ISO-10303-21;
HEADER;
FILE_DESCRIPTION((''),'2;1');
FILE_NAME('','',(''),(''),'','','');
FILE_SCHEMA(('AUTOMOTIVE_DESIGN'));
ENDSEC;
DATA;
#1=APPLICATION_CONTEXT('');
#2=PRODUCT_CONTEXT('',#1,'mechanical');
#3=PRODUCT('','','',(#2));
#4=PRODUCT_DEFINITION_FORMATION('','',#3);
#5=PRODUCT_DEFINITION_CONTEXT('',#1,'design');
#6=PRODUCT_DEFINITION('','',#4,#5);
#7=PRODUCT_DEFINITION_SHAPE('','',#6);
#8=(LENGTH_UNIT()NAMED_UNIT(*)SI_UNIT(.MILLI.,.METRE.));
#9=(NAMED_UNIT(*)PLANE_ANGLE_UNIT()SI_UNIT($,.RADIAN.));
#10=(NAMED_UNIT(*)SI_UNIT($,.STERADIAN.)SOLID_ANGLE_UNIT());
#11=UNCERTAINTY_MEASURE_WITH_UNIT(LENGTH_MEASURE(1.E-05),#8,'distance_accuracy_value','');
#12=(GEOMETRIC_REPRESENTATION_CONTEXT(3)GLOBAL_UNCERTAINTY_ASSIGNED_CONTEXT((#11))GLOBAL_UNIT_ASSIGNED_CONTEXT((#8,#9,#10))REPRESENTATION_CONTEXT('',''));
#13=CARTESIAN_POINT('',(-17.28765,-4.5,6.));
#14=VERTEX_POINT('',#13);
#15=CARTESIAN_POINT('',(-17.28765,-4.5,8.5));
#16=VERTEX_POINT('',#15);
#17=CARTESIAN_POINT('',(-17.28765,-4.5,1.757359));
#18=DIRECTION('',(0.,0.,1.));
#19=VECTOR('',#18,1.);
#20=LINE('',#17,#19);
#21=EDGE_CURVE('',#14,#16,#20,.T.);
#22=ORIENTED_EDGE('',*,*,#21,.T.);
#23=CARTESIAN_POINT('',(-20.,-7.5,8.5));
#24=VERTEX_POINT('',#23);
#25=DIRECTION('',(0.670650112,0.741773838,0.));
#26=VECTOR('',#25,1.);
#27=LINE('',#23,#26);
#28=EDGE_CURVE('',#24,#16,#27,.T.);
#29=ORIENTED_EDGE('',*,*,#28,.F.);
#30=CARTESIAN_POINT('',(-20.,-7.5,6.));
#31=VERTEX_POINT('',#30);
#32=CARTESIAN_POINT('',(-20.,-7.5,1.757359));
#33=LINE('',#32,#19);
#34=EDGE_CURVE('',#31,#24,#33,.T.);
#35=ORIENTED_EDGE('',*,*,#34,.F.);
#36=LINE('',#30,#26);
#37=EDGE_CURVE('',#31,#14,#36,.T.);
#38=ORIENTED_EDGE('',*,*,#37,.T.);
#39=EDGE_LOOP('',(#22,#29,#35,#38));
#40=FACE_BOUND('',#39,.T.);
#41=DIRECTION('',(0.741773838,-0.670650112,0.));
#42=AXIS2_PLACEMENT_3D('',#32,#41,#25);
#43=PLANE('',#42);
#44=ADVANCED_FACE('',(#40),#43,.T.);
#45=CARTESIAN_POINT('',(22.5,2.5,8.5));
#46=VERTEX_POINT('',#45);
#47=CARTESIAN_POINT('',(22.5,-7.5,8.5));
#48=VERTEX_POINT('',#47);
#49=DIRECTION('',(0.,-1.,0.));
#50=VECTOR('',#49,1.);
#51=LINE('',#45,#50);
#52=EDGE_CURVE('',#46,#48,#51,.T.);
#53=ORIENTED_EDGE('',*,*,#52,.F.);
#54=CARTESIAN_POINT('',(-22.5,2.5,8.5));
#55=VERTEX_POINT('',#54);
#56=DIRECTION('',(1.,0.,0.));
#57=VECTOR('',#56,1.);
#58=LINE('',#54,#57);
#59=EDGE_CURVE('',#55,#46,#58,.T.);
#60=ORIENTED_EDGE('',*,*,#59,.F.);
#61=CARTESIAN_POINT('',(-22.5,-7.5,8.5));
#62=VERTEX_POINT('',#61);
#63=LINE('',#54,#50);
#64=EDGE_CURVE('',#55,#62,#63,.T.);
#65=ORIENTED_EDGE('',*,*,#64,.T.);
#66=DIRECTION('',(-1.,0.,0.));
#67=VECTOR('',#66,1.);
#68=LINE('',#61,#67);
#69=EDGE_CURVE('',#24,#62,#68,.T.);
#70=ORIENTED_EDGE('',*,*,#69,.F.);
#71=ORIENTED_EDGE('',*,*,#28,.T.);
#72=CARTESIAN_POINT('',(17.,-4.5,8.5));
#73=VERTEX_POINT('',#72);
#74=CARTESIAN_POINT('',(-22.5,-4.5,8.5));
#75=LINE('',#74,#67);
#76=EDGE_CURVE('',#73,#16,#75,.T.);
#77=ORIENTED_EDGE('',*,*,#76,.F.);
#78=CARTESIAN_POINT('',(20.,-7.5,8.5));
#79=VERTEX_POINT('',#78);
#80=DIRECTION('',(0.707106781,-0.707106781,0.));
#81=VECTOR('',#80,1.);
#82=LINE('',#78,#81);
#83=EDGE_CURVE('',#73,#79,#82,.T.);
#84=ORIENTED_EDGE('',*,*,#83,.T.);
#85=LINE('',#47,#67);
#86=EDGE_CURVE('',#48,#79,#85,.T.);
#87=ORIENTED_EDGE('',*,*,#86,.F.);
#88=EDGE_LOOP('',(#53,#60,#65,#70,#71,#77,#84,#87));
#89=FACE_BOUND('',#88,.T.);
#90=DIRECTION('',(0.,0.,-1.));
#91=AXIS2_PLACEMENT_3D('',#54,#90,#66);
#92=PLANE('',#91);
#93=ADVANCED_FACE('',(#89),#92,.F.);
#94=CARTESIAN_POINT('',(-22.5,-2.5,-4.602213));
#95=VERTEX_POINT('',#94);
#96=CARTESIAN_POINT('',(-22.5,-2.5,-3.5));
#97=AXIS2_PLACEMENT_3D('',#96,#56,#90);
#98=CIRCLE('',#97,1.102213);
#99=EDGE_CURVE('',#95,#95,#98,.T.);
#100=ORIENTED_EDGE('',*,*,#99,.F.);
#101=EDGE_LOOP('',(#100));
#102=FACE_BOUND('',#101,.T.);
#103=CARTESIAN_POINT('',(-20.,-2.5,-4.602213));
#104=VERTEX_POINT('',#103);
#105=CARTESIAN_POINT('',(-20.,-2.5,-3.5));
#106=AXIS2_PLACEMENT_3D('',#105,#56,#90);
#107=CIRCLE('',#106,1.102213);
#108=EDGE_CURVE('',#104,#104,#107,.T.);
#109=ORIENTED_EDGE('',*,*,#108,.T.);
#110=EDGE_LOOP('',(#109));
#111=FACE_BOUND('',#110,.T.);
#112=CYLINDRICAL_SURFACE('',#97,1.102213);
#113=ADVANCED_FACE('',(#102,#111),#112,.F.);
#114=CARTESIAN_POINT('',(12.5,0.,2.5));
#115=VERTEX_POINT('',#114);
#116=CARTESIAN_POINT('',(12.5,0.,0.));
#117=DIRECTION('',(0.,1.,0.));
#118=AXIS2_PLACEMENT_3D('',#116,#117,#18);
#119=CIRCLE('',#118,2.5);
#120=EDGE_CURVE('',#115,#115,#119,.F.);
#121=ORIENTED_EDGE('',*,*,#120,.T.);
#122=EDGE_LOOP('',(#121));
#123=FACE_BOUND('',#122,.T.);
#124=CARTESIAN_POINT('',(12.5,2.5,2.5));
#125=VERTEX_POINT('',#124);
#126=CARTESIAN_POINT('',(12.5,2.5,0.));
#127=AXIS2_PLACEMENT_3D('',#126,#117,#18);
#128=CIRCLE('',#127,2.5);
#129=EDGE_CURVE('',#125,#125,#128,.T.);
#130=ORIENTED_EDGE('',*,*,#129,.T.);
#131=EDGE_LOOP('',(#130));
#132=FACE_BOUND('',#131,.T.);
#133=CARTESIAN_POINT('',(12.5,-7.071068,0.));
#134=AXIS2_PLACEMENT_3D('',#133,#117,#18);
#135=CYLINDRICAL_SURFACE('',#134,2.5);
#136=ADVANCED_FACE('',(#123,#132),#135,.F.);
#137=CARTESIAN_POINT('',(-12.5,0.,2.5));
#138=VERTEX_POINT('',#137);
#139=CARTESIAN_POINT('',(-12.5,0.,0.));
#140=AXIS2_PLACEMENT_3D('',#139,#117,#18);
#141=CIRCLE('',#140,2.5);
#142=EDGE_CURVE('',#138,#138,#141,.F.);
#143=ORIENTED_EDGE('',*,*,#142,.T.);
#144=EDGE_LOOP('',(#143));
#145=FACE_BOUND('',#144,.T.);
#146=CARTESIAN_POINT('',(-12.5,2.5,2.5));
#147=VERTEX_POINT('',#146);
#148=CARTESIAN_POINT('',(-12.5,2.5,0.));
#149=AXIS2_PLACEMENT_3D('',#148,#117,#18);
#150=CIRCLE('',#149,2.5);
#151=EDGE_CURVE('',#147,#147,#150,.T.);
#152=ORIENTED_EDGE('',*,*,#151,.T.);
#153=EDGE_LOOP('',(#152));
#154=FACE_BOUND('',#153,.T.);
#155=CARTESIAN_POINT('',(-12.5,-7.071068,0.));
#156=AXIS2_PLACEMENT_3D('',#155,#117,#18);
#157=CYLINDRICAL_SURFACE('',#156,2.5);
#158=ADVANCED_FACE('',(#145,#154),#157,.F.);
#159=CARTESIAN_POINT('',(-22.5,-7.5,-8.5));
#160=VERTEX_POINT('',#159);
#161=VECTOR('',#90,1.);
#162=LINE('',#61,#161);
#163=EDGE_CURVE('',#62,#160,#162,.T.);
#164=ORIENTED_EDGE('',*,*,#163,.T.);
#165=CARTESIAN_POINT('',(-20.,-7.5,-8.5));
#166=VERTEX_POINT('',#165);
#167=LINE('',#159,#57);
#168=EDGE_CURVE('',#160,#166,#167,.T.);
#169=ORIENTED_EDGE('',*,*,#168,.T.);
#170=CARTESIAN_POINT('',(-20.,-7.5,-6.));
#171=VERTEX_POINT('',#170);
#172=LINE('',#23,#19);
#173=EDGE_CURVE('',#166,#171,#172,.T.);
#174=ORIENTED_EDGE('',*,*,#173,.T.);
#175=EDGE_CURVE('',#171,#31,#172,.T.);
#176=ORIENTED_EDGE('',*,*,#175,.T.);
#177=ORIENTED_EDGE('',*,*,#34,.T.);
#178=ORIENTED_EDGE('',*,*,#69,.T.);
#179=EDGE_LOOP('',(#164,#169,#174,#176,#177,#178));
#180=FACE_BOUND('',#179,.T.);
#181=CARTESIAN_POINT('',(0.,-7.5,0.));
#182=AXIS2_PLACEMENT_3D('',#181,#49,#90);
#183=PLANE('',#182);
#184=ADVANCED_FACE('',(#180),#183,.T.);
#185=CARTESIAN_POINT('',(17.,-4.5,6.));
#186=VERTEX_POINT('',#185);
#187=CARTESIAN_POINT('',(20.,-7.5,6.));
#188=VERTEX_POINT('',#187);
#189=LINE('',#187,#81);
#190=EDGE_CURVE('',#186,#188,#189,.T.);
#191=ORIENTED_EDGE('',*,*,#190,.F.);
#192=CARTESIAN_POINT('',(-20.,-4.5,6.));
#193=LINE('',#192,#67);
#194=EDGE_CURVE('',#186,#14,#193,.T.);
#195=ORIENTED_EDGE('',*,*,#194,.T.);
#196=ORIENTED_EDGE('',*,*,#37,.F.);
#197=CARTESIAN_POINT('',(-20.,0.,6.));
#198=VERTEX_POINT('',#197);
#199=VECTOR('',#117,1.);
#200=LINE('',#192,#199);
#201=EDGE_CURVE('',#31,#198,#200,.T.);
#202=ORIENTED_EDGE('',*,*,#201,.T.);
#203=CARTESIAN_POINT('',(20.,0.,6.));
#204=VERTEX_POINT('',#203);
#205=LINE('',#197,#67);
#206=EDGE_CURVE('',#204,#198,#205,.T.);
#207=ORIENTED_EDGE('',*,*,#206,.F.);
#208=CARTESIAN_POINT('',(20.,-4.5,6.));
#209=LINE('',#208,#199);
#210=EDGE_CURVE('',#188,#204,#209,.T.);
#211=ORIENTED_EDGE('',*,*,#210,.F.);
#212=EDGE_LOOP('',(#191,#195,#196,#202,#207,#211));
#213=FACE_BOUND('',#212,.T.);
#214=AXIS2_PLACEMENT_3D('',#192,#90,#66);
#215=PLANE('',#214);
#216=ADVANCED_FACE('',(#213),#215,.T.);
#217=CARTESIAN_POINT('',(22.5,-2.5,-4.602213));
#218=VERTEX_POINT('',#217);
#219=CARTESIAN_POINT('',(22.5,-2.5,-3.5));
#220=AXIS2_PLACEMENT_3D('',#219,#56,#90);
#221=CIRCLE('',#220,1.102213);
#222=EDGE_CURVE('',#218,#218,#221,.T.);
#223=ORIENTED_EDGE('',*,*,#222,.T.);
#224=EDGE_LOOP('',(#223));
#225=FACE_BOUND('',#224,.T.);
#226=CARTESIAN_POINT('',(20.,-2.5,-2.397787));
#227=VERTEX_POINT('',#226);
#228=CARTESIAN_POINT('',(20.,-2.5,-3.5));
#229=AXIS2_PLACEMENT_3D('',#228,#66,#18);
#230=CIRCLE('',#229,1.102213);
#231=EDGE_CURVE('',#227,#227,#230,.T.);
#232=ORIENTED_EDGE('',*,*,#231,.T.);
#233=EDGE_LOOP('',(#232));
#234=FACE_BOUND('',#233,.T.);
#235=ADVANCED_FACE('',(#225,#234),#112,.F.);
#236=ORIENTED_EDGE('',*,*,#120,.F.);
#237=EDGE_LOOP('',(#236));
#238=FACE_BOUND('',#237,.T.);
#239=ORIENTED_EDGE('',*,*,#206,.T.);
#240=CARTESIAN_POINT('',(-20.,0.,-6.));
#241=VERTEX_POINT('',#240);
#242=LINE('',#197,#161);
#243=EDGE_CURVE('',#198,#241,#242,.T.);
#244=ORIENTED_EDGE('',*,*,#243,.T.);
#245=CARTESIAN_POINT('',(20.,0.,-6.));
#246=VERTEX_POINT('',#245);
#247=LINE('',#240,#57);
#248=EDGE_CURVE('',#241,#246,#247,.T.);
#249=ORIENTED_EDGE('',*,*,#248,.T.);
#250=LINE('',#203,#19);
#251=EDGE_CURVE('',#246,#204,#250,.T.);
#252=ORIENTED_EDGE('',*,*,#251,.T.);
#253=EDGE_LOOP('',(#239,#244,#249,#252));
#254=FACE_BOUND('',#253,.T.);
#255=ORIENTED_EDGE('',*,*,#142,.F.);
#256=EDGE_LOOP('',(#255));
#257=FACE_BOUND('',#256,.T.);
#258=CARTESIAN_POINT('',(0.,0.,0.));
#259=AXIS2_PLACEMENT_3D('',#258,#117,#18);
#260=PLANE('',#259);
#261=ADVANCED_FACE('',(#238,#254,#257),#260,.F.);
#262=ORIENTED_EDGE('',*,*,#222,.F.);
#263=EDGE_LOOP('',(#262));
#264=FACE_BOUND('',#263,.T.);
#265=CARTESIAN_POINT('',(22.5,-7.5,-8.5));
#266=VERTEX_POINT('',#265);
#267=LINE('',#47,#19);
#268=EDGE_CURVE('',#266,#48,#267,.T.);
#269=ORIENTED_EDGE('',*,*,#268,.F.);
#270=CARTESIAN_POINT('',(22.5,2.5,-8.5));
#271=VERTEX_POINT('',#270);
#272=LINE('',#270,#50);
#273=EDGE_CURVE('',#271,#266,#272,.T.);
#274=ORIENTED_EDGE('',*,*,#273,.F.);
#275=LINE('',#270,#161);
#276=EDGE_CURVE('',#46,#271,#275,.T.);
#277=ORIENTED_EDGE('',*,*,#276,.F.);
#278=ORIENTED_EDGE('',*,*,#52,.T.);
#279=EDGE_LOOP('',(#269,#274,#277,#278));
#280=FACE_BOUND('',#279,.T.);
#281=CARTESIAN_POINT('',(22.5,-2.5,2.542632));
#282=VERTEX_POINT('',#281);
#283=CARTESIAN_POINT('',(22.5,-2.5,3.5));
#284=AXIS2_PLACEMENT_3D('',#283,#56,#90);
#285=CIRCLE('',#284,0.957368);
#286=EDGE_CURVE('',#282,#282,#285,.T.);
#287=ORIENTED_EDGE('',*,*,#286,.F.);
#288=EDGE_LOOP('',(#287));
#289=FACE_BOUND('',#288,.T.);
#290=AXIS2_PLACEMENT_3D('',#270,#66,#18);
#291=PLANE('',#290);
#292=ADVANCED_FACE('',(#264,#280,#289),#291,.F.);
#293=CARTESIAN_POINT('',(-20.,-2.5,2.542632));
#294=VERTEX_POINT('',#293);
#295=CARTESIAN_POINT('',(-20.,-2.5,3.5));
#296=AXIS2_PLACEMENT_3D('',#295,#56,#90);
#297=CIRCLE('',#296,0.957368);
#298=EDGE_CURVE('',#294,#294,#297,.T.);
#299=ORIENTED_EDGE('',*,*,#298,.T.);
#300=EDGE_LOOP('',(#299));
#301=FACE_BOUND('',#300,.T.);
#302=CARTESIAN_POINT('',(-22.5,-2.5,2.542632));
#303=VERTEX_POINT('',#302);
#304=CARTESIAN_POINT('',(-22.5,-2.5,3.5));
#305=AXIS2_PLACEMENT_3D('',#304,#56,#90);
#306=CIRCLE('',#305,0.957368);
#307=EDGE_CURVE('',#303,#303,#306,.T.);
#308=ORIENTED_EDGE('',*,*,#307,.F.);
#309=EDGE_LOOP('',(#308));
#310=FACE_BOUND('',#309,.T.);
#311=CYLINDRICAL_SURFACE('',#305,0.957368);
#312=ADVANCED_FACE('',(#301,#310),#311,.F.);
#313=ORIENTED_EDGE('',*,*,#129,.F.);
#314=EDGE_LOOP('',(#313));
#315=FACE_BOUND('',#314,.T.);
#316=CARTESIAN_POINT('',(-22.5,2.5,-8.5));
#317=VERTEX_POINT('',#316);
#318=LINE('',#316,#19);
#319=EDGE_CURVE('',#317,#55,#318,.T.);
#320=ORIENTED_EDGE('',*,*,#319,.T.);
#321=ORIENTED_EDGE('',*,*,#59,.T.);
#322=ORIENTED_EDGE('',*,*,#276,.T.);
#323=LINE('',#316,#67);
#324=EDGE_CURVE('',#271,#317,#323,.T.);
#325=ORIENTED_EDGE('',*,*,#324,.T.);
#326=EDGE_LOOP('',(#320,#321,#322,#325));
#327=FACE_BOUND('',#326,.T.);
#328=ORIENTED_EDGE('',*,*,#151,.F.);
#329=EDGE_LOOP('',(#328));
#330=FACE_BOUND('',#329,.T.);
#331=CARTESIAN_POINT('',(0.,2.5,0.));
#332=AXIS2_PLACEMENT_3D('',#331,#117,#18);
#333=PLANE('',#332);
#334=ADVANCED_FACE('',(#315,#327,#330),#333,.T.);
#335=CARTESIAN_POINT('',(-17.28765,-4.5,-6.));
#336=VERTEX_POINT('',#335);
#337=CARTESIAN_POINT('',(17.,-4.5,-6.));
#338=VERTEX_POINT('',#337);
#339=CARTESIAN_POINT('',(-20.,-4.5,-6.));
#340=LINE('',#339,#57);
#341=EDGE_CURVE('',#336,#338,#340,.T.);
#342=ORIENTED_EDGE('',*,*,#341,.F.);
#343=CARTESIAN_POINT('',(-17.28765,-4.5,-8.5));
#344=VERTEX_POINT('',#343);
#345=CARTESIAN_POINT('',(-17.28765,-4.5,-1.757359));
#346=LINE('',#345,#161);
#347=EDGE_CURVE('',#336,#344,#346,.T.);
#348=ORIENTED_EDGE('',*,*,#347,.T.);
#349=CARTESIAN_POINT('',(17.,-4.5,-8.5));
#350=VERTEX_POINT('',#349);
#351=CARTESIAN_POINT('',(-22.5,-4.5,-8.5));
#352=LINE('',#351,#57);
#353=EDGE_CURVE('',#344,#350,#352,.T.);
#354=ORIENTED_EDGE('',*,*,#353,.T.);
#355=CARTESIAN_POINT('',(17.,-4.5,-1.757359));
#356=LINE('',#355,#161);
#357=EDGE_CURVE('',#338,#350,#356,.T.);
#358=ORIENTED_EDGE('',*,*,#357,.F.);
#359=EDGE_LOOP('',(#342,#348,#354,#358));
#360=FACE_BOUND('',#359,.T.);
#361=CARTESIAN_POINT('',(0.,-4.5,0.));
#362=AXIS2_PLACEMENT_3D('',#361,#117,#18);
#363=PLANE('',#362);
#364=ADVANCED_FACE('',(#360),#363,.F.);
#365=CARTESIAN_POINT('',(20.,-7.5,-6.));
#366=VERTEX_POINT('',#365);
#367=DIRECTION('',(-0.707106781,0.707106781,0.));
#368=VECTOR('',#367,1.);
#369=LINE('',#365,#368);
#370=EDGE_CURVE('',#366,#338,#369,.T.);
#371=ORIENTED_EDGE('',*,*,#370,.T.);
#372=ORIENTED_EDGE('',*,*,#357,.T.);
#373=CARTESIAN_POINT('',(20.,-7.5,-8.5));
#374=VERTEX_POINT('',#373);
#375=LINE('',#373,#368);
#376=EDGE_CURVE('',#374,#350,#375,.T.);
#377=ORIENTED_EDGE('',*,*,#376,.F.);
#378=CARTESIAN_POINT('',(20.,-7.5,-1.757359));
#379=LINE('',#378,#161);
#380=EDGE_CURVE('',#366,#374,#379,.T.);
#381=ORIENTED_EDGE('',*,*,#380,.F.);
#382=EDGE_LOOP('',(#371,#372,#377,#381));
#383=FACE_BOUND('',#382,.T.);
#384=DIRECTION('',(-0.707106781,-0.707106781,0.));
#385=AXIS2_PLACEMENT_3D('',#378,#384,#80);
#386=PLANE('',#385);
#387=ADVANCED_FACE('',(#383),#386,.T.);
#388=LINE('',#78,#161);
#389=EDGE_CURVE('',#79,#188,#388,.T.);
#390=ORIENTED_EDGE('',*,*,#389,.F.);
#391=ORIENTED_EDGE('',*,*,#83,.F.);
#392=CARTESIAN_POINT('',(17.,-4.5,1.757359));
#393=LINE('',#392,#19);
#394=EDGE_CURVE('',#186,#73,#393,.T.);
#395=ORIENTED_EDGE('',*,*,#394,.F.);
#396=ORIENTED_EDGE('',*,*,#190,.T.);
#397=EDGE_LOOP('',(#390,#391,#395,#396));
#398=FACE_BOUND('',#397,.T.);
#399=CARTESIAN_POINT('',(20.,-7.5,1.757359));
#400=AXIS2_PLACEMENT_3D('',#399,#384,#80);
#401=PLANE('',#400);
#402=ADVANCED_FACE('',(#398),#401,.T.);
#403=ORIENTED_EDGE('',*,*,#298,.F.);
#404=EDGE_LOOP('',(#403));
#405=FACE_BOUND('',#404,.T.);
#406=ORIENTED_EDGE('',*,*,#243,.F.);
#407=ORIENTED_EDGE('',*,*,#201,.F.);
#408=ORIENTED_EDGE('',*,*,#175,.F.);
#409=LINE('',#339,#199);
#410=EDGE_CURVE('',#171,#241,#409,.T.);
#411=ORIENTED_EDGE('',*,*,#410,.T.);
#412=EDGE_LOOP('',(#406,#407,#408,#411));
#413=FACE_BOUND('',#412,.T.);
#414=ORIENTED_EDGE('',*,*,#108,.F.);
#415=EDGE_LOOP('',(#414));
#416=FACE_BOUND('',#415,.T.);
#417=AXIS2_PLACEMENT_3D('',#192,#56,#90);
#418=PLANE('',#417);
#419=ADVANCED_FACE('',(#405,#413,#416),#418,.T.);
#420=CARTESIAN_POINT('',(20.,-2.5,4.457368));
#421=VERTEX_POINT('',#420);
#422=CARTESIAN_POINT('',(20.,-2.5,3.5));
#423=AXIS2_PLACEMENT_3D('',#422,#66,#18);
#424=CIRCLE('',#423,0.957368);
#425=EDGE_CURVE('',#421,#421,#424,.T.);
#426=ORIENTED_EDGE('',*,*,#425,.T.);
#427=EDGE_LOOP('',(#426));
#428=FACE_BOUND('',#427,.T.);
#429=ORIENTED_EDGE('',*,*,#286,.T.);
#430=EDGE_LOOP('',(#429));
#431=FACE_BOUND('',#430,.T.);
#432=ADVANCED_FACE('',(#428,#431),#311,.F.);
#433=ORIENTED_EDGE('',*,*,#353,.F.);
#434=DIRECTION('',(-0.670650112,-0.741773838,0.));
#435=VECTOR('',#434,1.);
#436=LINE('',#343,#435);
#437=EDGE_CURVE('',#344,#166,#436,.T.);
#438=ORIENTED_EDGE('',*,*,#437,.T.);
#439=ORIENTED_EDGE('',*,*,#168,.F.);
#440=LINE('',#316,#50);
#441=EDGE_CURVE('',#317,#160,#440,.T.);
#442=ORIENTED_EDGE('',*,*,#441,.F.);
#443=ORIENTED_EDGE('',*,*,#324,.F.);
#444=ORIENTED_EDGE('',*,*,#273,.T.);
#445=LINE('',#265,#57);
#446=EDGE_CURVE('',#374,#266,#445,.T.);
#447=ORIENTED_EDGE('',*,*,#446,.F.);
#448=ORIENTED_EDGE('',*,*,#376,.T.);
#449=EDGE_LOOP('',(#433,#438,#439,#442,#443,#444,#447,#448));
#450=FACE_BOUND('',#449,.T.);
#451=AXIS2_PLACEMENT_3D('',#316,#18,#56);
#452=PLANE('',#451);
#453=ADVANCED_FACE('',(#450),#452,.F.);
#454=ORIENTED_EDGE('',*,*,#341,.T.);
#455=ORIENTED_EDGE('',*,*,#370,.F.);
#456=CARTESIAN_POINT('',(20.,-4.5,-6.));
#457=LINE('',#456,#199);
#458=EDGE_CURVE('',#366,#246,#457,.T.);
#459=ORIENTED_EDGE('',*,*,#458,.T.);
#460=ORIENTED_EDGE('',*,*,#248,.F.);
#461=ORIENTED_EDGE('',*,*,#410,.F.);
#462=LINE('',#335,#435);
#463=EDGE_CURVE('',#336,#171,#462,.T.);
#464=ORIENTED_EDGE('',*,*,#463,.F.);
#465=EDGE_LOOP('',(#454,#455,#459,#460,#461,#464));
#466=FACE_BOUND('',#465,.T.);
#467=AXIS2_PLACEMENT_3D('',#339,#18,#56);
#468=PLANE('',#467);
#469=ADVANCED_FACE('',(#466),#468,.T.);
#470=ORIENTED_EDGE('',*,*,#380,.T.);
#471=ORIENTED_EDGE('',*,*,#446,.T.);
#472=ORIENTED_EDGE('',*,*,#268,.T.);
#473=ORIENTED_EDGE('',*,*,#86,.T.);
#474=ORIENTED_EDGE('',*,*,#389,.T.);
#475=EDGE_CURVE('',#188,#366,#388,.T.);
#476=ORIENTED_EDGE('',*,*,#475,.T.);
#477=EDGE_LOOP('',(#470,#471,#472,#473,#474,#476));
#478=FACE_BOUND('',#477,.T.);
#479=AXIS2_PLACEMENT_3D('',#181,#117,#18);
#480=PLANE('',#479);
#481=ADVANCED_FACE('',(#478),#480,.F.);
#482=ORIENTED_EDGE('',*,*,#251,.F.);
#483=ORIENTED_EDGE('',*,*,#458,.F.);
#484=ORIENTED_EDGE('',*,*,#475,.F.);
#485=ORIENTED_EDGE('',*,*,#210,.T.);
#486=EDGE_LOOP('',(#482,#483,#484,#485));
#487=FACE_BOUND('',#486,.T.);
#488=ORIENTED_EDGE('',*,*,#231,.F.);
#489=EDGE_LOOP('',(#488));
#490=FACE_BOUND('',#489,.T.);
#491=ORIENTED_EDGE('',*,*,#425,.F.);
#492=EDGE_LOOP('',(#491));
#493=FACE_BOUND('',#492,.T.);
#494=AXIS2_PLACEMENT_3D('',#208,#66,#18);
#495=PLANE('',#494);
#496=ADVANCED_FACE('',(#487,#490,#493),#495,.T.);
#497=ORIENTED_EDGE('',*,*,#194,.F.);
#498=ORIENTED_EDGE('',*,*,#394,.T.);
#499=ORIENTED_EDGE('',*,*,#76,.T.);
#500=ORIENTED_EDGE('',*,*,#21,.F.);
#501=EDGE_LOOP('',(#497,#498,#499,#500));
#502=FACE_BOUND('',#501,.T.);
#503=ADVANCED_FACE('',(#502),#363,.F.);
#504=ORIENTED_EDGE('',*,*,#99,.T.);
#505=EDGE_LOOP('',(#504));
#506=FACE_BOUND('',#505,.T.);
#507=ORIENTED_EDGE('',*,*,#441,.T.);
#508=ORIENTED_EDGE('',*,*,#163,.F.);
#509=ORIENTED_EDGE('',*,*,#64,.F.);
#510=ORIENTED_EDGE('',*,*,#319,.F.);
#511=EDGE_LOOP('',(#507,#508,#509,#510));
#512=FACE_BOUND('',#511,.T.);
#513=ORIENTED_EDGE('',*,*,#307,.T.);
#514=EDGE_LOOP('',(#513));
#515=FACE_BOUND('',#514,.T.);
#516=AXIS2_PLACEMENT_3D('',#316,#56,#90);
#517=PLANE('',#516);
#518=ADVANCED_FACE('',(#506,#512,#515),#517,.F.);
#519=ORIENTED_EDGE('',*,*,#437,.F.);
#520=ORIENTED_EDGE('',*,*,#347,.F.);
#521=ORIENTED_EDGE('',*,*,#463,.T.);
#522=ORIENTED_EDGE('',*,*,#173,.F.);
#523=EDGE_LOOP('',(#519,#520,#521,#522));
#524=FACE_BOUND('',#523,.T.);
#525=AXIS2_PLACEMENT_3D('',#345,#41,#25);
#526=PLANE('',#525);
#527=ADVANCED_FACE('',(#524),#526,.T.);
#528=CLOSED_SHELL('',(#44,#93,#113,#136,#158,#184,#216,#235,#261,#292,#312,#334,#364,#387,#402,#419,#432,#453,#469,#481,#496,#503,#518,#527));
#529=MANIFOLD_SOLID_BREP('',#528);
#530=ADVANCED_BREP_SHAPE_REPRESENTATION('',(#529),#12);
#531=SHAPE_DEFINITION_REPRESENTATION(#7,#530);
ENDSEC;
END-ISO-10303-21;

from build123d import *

# Parameters (mm, degrees)
SKETCH1_W           = 45
SKETCH1_H           = 17
BOSS_EXTRUDE1_DEPTH = 2.5
SKETCH2_W           = 45
SKETCH2_H           = 17
SKETCH2_W_2         = 40
SKETCH2_H_2         = 12
BOSS_EXTRUDE2_DEPTH = 4.5
SKETCH3_R           = 0.957368162
SKETCH3_R_2         = 1.102212996
CUT_EXTRUDE1_DEPTH  = 46
SKETCH4_W           = 2.5
SKETCH4_H           = 17
BOSS_EXTRUDE3_DEPTH = 3
BOSS_EXTRUDE4_START = -2.5
BOSS_EXTRUDE4_DEPTH = 2.5
BOSS_EXTRUDE5_DEPTH = 2.5
SKETCH7_R           = 2.5
CUT_EXTRUDE2_DEPTH  = 2.5


with BuildPart() as part:
    # Sketch1 → Boss-Extrude1 (new body)
    with BuildSketch(Plane(origin=(0, 0, 0), x_dir=(1, 0, 0), z_dir=(0, 1, 0))):
        Rectangle(SKETCH1_W, SKETCH1_H)
    extrude(amount=BOSS_EXTRUDE1_DEPTH)

    # Sketch2 → Boss-Extrude2 (add)
    with BuildSketch(Plane.XZ):
        Rectangle(SKETCH2_W, SKETCH2_H)
        Rectangle(SKETCH2_W_2, SKETCH2_H_2, mode=Mode.SUBTRACT)
    extrude(amount=BOSS_EXTRUDE2_DEPTH)

    # Sketch3 → Cut-Extrude1 (cut, through all)
    with BuildSketch(Plane(origin=(22.5, 0, 0), x_dir=(0, 0, -1), z_dir=(1, 0, 0))):
        with Locations((-3.5, -2.5)):
            Circle(SKETCH3_R)
        with Locations((3.5, -2.5)):
            Circle(SKETCH3_R_2)
    extrude(amount=-CUT_EXTRUDE1_DEPTH, mode=Mode.SUBTRACT)

    # Sketch4 → Boss-Extrude3 (add)
    with BuildSketch(Plane.XZ.offset(4.5)):
        with Locations((-21.25, 0)):
            Rectangle(SKETCH4_W, SKETCH4_H)
        with Locations((21.25, 0)):
            Rectangle(SKETCH4_W, SKETCH4_H)
    extrude(amount=BOSS_EXTRUDE3_DEPTH)

    # Sketch5 → Boss-Extrude4 (add)
    with BuildSketch(Plane.XY.offset(8.5).offset(BOSS_EXTRUDE4_START)):
        Polygon((20, -7.5), (20, -4.5), (17, -4.5), align=None)
        Polygon((-20, -7.5), (-20, -4.5), (-17.287649909, -4.5), align=None)
    extrude(amount=BOSS_EXTRUDE4_DEPTH)

    # Sketch6 → Boss-Extrude5 (add)
    with BuildSketch(Plane(origin=(0, 0, -8.5), x_dir=(-1, 0, 0), z_dir=(0, 0, -1))):
        Polygon((20, -4.5), (17.287649909, -4.5), (20, -7.5), align=None)
        Polygon((-17, -4.5), (-20, -4.5), (-20, -7.5), align=None)
    extrude(amount=-BOSS_EXTRUDE5_DEPTH)

    # Sketch7 → Cut-Extrude2 (cut)
    with BuildSketch(Plane(origin=(0, 2.5, 0), x_dir=(1, 0, 0), z_dir=(0, 1, 0))):
        with Locations((-12.5, 0)):
            Circle(SKETCH7_R)
        with Locations((12.5, 0)):
            Circle(SKETCH7_R)
    cut_extrude2 = extrude(amount=-CUT_EXTRUDE2_DEPTH, mode=Mode.SUBTRACT)

    # Mirror1: Cut-Extrude2 across plane
    add(cut_extrude2.mirror(Plane.XY), mode=Mode.SUBTRACT)


solid = part.part
